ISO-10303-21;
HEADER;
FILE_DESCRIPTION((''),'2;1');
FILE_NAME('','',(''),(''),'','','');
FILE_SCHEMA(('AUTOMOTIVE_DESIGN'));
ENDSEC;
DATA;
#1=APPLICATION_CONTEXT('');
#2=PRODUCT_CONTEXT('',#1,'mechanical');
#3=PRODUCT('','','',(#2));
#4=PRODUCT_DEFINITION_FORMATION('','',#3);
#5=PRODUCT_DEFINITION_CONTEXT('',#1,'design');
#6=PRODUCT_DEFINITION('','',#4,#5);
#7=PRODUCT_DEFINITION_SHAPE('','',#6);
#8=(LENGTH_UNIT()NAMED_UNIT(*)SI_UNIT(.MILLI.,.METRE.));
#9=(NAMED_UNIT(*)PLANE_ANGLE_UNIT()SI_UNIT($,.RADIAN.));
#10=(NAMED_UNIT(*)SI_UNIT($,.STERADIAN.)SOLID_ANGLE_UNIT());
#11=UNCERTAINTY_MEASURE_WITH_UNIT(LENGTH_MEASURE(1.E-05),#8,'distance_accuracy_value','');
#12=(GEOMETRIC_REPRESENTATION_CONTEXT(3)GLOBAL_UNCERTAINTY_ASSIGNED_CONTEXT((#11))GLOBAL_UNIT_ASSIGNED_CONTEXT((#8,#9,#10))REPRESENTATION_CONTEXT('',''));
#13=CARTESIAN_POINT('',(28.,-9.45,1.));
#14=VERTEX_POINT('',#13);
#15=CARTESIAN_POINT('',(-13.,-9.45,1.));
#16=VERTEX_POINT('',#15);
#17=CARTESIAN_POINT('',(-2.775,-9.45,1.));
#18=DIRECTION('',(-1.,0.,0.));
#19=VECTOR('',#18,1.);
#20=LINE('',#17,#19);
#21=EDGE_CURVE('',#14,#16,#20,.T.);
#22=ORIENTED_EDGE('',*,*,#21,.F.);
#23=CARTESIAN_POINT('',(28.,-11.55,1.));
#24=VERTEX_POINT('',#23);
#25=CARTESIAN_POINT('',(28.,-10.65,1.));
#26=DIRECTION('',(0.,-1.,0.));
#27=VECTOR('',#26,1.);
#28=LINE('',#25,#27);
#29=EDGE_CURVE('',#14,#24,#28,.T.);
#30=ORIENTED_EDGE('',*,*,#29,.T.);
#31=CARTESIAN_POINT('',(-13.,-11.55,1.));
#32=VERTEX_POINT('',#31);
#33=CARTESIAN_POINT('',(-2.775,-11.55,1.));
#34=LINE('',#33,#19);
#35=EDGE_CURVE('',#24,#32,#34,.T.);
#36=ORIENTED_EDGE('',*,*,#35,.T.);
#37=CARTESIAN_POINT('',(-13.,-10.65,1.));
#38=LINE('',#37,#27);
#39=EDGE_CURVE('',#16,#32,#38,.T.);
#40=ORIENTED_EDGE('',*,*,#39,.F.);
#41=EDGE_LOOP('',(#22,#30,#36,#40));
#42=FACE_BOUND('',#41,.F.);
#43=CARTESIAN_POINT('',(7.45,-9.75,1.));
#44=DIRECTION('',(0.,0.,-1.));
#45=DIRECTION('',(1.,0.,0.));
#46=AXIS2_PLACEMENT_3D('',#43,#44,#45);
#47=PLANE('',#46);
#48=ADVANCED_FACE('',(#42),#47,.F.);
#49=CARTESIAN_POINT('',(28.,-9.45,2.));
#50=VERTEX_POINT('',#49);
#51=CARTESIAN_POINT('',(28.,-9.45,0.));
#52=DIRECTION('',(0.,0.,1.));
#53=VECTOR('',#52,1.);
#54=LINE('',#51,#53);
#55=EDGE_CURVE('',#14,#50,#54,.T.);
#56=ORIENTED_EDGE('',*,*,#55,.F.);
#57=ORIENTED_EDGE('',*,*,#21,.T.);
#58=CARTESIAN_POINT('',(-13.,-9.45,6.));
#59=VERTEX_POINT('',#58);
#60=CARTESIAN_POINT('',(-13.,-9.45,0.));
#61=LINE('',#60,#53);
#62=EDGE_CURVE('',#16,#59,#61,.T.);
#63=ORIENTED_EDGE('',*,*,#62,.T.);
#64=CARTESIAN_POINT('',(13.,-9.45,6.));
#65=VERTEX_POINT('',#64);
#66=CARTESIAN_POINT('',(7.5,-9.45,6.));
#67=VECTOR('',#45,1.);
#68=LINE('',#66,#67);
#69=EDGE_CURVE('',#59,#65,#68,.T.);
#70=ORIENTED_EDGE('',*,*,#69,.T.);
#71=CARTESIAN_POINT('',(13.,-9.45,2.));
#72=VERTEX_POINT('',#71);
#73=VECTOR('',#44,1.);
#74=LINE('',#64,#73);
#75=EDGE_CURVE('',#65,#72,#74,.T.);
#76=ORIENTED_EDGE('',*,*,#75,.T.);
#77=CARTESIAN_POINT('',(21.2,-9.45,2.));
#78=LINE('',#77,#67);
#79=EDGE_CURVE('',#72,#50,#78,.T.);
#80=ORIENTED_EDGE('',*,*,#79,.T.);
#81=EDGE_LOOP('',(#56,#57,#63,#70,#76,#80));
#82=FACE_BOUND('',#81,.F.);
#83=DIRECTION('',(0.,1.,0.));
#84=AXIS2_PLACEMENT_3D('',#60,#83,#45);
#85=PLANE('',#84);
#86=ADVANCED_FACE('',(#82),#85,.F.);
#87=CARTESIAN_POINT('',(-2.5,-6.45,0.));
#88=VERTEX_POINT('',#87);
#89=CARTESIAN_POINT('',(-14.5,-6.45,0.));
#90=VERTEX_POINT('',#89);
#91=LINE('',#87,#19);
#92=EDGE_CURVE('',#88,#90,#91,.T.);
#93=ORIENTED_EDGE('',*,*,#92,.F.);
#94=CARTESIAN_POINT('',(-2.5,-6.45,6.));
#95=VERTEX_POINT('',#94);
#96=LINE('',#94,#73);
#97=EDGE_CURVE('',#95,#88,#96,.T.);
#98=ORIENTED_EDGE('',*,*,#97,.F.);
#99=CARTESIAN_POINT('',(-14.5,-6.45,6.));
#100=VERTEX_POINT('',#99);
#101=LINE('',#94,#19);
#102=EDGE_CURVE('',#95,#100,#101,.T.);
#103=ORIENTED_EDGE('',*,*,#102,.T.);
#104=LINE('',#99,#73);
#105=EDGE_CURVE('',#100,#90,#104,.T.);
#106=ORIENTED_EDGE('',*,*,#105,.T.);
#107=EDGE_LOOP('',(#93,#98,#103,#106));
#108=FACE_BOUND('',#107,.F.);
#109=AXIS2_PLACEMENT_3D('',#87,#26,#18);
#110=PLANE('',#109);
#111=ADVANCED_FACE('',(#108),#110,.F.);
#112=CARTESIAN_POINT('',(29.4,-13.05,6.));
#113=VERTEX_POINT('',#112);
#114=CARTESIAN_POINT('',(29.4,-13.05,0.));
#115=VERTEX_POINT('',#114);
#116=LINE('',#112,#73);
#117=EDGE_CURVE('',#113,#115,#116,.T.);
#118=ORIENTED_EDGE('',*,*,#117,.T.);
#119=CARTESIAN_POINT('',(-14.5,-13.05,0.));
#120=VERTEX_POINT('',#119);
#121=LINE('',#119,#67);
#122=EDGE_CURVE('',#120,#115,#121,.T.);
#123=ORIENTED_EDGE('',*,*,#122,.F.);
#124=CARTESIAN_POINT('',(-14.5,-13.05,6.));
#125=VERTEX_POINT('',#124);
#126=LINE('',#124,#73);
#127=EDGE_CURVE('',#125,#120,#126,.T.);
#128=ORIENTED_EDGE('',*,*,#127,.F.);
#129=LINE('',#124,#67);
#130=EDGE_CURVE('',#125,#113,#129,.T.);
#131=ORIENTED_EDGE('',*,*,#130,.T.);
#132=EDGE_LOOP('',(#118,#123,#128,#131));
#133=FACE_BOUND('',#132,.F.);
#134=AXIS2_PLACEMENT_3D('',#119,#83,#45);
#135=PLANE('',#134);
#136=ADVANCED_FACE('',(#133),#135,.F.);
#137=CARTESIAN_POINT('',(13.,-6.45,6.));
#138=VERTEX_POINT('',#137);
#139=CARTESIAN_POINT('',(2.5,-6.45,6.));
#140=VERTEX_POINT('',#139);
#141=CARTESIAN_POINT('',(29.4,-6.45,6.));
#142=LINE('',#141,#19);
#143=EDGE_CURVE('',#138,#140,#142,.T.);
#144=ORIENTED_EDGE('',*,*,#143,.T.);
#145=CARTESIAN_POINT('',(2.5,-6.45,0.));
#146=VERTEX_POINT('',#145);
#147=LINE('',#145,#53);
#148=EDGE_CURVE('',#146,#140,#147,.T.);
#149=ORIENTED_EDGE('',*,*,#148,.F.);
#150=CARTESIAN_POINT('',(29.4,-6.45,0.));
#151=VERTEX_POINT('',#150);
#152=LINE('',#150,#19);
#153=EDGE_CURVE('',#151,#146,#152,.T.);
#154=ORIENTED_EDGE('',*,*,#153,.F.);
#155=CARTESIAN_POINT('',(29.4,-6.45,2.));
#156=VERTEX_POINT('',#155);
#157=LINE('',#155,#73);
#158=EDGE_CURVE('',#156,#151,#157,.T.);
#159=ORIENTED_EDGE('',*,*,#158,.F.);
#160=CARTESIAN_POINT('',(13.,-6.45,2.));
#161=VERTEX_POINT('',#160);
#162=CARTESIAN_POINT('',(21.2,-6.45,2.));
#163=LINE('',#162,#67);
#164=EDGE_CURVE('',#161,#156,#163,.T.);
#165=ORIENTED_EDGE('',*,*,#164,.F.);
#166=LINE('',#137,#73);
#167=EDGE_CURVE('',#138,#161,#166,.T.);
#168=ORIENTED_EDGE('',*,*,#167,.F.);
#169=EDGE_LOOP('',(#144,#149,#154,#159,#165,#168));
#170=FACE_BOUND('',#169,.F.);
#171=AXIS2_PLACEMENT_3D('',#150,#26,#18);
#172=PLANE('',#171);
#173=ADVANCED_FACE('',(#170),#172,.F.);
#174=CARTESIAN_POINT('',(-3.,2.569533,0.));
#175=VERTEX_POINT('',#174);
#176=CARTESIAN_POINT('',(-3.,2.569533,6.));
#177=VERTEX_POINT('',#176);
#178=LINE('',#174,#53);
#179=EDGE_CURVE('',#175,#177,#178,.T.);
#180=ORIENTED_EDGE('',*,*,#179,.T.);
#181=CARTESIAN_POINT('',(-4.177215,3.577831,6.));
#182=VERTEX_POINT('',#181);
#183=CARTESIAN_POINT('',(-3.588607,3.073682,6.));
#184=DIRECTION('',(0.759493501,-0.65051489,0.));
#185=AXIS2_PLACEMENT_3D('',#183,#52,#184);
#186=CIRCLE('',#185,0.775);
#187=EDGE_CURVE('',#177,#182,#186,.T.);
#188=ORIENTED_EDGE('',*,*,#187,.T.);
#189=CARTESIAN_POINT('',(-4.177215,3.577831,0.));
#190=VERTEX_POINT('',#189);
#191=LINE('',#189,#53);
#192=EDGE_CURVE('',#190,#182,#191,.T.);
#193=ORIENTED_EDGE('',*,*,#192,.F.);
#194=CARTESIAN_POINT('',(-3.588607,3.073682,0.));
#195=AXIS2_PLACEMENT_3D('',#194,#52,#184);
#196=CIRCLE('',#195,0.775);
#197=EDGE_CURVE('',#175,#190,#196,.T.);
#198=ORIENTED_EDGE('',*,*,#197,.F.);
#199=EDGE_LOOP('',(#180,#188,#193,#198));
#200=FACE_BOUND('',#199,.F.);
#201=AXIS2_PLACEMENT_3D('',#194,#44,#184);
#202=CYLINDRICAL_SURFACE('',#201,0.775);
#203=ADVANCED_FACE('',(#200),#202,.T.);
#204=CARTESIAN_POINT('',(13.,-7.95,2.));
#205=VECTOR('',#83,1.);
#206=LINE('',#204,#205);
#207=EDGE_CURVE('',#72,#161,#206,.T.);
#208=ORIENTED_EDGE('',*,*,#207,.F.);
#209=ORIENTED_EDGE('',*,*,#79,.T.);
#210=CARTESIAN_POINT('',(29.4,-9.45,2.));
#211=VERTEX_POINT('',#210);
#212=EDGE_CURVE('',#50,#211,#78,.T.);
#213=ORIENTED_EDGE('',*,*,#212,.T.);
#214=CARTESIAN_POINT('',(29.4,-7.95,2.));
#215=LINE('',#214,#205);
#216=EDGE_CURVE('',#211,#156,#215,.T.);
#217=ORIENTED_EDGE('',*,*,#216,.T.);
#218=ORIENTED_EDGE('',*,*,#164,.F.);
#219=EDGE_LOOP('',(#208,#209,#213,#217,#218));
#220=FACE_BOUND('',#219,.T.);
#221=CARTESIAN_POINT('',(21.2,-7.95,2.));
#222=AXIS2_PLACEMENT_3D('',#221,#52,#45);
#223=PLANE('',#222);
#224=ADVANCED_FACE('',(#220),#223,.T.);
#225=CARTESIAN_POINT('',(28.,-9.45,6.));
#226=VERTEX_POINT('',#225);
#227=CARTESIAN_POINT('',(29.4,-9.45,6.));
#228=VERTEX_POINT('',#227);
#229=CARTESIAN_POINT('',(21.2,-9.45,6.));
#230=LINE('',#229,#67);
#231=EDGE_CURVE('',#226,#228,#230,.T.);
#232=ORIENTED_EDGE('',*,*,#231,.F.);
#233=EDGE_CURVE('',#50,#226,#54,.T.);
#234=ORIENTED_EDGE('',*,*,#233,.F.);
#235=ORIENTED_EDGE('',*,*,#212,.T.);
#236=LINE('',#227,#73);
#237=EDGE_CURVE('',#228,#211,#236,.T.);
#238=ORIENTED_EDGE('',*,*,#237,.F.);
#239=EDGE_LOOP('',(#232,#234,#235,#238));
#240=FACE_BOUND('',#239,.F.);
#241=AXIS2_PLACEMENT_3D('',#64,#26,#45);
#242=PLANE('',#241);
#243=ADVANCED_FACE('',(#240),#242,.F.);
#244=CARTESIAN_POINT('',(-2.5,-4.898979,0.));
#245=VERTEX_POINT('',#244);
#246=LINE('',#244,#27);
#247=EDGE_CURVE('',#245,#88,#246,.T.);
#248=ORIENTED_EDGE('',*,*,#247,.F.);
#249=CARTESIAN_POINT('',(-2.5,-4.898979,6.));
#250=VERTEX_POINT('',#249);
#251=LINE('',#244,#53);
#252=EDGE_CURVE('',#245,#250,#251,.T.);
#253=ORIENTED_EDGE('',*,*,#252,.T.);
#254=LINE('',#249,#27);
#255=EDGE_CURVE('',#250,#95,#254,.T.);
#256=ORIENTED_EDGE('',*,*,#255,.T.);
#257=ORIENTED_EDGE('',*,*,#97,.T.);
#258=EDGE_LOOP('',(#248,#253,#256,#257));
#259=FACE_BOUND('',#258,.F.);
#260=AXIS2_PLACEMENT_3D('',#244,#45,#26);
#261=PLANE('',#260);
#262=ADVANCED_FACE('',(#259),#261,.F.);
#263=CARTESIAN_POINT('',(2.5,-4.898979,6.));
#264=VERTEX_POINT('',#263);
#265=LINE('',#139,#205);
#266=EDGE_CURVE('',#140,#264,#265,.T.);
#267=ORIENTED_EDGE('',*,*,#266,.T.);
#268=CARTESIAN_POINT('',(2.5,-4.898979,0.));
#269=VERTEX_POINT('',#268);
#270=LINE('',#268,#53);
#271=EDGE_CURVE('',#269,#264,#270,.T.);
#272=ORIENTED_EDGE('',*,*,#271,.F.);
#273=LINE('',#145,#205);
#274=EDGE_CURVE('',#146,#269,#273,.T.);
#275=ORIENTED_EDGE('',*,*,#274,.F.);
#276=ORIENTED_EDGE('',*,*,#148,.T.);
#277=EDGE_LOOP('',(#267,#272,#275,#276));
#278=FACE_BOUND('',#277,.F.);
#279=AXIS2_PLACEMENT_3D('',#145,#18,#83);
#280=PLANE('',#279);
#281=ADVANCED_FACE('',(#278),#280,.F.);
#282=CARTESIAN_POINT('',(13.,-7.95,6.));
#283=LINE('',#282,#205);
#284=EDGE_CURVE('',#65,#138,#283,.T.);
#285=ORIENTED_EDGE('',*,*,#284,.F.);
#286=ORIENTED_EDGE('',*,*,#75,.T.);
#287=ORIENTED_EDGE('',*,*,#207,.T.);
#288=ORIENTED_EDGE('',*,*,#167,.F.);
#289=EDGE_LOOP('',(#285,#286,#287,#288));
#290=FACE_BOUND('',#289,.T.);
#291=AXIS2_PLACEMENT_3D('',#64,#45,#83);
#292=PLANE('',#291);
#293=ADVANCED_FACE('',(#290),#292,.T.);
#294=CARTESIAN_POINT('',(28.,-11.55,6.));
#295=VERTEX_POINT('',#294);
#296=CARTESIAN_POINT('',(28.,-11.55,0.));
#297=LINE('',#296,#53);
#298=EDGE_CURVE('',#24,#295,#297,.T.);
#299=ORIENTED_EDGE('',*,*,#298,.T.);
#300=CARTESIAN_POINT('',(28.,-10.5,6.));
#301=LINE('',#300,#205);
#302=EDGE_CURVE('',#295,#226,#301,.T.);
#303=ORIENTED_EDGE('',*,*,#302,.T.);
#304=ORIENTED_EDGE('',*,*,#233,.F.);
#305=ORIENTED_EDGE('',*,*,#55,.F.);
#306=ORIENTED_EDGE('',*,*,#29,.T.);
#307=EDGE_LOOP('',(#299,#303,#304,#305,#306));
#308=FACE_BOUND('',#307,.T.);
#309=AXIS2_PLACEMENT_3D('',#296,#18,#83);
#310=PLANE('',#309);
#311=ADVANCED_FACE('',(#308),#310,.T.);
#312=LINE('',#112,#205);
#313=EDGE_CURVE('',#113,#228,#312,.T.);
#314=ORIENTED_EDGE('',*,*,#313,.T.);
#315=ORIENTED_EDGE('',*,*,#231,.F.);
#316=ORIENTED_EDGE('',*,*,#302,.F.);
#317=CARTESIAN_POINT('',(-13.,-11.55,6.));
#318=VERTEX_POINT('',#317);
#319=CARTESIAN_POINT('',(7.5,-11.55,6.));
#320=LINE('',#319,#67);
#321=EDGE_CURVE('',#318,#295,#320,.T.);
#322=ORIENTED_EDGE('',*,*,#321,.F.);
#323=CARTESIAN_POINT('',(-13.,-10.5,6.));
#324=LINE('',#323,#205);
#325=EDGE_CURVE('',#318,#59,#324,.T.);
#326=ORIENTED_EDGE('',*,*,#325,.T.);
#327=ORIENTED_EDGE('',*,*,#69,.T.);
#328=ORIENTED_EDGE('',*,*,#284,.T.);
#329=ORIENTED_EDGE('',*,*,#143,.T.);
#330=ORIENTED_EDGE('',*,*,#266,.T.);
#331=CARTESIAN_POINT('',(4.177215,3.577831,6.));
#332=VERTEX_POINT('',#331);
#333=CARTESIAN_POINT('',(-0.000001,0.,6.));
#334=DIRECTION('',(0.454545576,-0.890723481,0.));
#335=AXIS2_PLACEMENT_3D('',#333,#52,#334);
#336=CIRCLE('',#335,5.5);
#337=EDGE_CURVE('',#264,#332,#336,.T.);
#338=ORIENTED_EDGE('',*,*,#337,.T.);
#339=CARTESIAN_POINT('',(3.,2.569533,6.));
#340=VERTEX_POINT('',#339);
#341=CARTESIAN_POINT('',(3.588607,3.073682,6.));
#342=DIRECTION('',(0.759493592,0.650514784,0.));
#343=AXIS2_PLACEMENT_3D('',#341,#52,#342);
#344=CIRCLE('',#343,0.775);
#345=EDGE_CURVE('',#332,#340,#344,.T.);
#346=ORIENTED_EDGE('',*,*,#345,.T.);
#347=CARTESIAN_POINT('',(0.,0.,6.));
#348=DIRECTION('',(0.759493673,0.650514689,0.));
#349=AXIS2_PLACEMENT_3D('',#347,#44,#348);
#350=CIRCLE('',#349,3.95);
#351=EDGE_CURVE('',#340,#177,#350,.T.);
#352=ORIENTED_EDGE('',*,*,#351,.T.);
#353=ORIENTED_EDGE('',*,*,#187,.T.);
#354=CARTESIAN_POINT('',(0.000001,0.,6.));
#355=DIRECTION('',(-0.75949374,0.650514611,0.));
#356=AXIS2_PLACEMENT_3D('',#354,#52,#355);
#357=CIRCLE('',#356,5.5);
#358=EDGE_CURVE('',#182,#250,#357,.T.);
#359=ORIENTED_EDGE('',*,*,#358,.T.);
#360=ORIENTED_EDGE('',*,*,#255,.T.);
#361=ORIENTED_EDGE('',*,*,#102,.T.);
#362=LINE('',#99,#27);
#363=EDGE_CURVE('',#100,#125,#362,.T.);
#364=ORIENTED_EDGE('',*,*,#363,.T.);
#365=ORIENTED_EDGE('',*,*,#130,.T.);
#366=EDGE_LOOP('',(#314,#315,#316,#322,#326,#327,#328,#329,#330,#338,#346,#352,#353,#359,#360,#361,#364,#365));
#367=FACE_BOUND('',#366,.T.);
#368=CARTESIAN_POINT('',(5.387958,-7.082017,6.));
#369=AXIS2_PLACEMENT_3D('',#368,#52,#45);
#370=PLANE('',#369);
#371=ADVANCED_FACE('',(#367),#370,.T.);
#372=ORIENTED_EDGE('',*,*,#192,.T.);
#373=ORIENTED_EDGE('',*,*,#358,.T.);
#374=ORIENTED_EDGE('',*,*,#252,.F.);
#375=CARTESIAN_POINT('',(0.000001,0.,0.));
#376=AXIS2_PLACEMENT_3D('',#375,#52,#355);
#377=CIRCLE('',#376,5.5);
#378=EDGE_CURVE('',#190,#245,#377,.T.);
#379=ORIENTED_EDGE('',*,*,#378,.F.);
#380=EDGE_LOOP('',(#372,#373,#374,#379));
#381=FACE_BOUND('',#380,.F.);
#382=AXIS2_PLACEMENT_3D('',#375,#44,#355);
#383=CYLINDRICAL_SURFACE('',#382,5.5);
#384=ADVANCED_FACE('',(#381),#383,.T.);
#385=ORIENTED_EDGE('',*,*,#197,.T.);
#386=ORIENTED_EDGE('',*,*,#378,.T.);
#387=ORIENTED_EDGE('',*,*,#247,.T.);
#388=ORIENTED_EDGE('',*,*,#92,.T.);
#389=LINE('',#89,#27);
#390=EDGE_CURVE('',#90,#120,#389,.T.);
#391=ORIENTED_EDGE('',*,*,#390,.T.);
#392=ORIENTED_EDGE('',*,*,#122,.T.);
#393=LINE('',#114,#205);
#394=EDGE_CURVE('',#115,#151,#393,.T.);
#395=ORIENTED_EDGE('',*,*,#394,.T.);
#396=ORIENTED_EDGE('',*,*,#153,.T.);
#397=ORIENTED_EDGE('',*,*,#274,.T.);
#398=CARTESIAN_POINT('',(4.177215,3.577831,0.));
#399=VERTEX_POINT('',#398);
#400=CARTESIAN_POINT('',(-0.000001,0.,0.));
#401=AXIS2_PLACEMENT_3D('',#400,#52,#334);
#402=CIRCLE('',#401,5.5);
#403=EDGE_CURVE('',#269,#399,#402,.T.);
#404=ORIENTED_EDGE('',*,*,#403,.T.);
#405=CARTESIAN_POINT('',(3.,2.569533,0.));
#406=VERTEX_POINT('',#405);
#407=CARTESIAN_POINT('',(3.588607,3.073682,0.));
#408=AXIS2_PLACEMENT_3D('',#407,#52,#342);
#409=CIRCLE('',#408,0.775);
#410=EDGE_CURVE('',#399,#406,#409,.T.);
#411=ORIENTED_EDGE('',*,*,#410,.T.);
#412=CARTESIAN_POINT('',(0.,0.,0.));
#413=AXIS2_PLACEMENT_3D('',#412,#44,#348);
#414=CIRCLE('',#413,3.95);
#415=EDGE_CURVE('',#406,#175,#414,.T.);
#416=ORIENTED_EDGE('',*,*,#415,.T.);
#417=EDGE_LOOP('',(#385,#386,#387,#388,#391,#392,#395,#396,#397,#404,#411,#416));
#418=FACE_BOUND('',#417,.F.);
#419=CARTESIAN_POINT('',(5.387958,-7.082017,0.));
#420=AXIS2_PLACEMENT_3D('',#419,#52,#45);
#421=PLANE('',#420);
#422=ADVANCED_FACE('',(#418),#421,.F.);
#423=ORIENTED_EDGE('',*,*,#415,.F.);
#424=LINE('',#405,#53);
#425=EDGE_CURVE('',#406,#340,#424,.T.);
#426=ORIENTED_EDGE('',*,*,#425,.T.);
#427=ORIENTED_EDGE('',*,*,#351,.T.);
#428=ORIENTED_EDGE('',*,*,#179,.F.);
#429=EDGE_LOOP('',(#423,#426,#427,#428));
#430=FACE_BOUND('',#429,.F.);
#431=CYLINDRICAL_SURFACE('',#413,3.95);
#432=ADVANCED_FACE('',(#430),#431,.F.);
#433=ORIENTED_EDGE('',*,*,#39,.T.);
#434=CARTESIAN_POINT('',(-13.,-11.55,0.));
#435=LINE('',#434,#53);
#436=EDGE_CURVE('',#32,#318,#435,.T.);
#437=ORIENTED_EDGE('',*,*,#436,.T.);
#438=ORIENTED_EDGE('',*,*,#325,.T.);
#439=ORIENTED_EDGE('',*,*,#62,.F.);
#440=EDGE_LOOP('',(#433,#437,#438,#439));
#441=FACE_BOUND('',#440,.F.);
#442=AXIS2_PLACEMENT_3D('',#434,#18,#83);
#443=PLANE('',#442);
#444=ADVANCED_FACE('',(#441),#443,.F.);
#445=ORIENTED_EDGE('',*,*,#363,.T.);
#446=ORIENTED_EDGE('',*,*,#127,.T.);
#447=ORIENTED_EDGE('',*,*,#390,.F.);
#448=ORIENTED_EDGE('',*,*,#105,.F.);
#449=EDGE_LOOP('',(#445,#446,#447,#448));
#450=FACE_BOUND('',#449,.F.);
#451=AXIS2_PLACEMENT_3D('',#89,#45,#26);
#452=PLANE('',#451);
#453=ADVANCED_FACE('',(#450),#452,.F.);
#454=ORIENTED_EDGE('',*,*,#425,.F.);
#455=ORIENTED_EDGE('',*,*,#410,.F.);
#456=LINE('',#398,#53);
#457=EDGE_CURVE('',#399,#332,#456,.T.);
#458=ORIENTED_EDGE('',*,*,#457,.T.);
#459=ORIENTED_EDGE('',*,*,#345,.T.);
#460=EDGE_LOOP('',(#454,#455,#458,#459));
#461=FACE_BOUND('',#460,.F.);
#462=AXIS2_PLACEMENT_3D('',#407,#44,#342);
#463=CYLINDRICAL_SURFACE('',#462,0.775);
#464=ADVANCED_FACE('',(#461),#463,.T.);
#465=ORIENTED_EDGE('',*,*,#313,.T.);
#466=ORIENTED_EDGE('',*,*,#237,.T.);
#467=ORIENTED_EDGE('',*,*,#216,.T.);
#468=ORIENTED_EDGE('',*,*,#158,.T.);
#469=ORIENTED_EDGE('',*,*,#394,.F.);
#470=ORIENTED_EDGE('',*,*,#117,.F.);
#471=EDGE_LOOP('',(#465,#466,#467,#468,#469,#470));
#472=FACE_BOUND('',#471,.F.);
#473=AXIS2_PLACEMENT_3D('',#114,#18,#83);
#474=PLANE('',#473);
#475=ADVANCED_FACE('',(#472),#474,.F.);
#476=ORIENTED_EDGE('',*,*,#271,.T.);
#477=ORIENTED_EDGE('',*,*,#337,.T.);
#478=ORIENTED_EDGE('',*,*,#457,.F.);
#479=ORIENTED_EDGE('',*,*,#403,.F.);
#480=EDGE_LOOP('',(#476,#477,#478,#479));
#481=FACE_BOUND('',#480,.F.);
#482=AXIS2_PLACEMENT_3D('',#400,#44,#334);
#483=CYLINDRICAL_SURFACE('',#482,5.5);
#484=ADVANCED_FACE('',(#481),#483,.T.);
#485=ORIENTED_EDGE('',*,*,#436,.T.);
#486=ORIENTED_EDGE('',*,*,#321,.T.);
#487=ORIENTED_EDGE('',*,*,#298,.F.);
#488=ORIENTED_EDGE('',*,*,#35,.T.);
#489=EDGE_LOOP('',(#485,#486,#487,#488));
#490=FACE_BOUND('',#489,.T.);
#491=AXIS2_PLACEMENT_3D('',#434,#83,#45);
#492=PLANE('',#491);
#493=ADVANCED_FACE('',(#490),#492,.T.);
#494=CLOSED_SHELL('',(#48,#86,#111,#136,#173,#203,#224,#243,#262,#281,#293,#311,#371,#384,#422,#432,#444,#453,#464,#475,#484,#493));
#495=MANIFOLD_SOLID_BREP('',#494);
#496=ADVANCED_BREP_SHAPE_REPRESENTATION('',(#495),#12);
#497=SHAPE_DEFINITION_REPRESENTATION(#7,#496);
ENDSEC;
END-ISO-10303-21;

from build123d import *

# Parameters (mm, degrees)
F0_W     = 41
F0_H     = 2.1
F1_DEPTH = 6
F2_W     = 16.4
F2_H     = 3
F3_DEPTH = 4
F4_W     = 43.9
F4_H     = 6.6
F5_DEPTH = 1


with BuildPart() as f1:
    # F0 (on Top) → F1 (new body)
    with BuildSketch(Plane.XY):
        with BuildLine():
            ThreePointArc((3, 2.569533), (0, -3.95), (-3, 2.569533))
            ThreePointArc((-3, 2.569533), (-3.084459, 3.66229), (-4.177215, 3.577831))
            ThreePointArc((-4.177215, 3.577831), (-5.395403, -1.06753), (-2.5, -4.898979))
            Line((-2.5, -4.898979), (-2.5, -6.45))
            Line((-2.5, -6.45), (-14.5, -6.45))
            Line((-14.5, -6.45), (-14.5, -13.05))
            Line((-14.5, -13.05), (29.4, -13.05))
            Line((29.4, -13.05), (29.4, -6.45))
            Line((29.4, -6.45), (2.5, -6.45))
            Line((2.5, -6.45), (2.5, -4.898979))
            ThreePointArc((2.5, -4.898979), (5.395403, -1.06753), (4.177215, 3.577831))
            ThreePointArc((4.177215, 3.577831), (3.084459, 3.66229), (3, 2.569533))
        make_face()
        with Locations((7.5, -10.5)):
            Rectangle(F0_W, F0_H, mode=Mode.SUBTRACT)
    extrude(amount=F1_DEPTH)

    # F2 (on face) → F3 (cut)
    with BuildSketch(Plane.XY.offset(6)):
        with Locations((21.2, -7.95)):
            Rectangle(F2_W, F2_H)
    extrude(amount=-F3_DEPTH, mode=Mode.SUBTRACT)

    # F4 (on face) → F5 (join)
    with BuildSketch(Plane(origin=(0, 0, 0), x_dir=(1, 0, 0), z_dir=(0, 0, -1))):
        with Locations((7.45, 9.75)):
            Rectangle(F4_W, F4_H)
    extrude(amount=-F5_DEPTH)


solid = f1.part
